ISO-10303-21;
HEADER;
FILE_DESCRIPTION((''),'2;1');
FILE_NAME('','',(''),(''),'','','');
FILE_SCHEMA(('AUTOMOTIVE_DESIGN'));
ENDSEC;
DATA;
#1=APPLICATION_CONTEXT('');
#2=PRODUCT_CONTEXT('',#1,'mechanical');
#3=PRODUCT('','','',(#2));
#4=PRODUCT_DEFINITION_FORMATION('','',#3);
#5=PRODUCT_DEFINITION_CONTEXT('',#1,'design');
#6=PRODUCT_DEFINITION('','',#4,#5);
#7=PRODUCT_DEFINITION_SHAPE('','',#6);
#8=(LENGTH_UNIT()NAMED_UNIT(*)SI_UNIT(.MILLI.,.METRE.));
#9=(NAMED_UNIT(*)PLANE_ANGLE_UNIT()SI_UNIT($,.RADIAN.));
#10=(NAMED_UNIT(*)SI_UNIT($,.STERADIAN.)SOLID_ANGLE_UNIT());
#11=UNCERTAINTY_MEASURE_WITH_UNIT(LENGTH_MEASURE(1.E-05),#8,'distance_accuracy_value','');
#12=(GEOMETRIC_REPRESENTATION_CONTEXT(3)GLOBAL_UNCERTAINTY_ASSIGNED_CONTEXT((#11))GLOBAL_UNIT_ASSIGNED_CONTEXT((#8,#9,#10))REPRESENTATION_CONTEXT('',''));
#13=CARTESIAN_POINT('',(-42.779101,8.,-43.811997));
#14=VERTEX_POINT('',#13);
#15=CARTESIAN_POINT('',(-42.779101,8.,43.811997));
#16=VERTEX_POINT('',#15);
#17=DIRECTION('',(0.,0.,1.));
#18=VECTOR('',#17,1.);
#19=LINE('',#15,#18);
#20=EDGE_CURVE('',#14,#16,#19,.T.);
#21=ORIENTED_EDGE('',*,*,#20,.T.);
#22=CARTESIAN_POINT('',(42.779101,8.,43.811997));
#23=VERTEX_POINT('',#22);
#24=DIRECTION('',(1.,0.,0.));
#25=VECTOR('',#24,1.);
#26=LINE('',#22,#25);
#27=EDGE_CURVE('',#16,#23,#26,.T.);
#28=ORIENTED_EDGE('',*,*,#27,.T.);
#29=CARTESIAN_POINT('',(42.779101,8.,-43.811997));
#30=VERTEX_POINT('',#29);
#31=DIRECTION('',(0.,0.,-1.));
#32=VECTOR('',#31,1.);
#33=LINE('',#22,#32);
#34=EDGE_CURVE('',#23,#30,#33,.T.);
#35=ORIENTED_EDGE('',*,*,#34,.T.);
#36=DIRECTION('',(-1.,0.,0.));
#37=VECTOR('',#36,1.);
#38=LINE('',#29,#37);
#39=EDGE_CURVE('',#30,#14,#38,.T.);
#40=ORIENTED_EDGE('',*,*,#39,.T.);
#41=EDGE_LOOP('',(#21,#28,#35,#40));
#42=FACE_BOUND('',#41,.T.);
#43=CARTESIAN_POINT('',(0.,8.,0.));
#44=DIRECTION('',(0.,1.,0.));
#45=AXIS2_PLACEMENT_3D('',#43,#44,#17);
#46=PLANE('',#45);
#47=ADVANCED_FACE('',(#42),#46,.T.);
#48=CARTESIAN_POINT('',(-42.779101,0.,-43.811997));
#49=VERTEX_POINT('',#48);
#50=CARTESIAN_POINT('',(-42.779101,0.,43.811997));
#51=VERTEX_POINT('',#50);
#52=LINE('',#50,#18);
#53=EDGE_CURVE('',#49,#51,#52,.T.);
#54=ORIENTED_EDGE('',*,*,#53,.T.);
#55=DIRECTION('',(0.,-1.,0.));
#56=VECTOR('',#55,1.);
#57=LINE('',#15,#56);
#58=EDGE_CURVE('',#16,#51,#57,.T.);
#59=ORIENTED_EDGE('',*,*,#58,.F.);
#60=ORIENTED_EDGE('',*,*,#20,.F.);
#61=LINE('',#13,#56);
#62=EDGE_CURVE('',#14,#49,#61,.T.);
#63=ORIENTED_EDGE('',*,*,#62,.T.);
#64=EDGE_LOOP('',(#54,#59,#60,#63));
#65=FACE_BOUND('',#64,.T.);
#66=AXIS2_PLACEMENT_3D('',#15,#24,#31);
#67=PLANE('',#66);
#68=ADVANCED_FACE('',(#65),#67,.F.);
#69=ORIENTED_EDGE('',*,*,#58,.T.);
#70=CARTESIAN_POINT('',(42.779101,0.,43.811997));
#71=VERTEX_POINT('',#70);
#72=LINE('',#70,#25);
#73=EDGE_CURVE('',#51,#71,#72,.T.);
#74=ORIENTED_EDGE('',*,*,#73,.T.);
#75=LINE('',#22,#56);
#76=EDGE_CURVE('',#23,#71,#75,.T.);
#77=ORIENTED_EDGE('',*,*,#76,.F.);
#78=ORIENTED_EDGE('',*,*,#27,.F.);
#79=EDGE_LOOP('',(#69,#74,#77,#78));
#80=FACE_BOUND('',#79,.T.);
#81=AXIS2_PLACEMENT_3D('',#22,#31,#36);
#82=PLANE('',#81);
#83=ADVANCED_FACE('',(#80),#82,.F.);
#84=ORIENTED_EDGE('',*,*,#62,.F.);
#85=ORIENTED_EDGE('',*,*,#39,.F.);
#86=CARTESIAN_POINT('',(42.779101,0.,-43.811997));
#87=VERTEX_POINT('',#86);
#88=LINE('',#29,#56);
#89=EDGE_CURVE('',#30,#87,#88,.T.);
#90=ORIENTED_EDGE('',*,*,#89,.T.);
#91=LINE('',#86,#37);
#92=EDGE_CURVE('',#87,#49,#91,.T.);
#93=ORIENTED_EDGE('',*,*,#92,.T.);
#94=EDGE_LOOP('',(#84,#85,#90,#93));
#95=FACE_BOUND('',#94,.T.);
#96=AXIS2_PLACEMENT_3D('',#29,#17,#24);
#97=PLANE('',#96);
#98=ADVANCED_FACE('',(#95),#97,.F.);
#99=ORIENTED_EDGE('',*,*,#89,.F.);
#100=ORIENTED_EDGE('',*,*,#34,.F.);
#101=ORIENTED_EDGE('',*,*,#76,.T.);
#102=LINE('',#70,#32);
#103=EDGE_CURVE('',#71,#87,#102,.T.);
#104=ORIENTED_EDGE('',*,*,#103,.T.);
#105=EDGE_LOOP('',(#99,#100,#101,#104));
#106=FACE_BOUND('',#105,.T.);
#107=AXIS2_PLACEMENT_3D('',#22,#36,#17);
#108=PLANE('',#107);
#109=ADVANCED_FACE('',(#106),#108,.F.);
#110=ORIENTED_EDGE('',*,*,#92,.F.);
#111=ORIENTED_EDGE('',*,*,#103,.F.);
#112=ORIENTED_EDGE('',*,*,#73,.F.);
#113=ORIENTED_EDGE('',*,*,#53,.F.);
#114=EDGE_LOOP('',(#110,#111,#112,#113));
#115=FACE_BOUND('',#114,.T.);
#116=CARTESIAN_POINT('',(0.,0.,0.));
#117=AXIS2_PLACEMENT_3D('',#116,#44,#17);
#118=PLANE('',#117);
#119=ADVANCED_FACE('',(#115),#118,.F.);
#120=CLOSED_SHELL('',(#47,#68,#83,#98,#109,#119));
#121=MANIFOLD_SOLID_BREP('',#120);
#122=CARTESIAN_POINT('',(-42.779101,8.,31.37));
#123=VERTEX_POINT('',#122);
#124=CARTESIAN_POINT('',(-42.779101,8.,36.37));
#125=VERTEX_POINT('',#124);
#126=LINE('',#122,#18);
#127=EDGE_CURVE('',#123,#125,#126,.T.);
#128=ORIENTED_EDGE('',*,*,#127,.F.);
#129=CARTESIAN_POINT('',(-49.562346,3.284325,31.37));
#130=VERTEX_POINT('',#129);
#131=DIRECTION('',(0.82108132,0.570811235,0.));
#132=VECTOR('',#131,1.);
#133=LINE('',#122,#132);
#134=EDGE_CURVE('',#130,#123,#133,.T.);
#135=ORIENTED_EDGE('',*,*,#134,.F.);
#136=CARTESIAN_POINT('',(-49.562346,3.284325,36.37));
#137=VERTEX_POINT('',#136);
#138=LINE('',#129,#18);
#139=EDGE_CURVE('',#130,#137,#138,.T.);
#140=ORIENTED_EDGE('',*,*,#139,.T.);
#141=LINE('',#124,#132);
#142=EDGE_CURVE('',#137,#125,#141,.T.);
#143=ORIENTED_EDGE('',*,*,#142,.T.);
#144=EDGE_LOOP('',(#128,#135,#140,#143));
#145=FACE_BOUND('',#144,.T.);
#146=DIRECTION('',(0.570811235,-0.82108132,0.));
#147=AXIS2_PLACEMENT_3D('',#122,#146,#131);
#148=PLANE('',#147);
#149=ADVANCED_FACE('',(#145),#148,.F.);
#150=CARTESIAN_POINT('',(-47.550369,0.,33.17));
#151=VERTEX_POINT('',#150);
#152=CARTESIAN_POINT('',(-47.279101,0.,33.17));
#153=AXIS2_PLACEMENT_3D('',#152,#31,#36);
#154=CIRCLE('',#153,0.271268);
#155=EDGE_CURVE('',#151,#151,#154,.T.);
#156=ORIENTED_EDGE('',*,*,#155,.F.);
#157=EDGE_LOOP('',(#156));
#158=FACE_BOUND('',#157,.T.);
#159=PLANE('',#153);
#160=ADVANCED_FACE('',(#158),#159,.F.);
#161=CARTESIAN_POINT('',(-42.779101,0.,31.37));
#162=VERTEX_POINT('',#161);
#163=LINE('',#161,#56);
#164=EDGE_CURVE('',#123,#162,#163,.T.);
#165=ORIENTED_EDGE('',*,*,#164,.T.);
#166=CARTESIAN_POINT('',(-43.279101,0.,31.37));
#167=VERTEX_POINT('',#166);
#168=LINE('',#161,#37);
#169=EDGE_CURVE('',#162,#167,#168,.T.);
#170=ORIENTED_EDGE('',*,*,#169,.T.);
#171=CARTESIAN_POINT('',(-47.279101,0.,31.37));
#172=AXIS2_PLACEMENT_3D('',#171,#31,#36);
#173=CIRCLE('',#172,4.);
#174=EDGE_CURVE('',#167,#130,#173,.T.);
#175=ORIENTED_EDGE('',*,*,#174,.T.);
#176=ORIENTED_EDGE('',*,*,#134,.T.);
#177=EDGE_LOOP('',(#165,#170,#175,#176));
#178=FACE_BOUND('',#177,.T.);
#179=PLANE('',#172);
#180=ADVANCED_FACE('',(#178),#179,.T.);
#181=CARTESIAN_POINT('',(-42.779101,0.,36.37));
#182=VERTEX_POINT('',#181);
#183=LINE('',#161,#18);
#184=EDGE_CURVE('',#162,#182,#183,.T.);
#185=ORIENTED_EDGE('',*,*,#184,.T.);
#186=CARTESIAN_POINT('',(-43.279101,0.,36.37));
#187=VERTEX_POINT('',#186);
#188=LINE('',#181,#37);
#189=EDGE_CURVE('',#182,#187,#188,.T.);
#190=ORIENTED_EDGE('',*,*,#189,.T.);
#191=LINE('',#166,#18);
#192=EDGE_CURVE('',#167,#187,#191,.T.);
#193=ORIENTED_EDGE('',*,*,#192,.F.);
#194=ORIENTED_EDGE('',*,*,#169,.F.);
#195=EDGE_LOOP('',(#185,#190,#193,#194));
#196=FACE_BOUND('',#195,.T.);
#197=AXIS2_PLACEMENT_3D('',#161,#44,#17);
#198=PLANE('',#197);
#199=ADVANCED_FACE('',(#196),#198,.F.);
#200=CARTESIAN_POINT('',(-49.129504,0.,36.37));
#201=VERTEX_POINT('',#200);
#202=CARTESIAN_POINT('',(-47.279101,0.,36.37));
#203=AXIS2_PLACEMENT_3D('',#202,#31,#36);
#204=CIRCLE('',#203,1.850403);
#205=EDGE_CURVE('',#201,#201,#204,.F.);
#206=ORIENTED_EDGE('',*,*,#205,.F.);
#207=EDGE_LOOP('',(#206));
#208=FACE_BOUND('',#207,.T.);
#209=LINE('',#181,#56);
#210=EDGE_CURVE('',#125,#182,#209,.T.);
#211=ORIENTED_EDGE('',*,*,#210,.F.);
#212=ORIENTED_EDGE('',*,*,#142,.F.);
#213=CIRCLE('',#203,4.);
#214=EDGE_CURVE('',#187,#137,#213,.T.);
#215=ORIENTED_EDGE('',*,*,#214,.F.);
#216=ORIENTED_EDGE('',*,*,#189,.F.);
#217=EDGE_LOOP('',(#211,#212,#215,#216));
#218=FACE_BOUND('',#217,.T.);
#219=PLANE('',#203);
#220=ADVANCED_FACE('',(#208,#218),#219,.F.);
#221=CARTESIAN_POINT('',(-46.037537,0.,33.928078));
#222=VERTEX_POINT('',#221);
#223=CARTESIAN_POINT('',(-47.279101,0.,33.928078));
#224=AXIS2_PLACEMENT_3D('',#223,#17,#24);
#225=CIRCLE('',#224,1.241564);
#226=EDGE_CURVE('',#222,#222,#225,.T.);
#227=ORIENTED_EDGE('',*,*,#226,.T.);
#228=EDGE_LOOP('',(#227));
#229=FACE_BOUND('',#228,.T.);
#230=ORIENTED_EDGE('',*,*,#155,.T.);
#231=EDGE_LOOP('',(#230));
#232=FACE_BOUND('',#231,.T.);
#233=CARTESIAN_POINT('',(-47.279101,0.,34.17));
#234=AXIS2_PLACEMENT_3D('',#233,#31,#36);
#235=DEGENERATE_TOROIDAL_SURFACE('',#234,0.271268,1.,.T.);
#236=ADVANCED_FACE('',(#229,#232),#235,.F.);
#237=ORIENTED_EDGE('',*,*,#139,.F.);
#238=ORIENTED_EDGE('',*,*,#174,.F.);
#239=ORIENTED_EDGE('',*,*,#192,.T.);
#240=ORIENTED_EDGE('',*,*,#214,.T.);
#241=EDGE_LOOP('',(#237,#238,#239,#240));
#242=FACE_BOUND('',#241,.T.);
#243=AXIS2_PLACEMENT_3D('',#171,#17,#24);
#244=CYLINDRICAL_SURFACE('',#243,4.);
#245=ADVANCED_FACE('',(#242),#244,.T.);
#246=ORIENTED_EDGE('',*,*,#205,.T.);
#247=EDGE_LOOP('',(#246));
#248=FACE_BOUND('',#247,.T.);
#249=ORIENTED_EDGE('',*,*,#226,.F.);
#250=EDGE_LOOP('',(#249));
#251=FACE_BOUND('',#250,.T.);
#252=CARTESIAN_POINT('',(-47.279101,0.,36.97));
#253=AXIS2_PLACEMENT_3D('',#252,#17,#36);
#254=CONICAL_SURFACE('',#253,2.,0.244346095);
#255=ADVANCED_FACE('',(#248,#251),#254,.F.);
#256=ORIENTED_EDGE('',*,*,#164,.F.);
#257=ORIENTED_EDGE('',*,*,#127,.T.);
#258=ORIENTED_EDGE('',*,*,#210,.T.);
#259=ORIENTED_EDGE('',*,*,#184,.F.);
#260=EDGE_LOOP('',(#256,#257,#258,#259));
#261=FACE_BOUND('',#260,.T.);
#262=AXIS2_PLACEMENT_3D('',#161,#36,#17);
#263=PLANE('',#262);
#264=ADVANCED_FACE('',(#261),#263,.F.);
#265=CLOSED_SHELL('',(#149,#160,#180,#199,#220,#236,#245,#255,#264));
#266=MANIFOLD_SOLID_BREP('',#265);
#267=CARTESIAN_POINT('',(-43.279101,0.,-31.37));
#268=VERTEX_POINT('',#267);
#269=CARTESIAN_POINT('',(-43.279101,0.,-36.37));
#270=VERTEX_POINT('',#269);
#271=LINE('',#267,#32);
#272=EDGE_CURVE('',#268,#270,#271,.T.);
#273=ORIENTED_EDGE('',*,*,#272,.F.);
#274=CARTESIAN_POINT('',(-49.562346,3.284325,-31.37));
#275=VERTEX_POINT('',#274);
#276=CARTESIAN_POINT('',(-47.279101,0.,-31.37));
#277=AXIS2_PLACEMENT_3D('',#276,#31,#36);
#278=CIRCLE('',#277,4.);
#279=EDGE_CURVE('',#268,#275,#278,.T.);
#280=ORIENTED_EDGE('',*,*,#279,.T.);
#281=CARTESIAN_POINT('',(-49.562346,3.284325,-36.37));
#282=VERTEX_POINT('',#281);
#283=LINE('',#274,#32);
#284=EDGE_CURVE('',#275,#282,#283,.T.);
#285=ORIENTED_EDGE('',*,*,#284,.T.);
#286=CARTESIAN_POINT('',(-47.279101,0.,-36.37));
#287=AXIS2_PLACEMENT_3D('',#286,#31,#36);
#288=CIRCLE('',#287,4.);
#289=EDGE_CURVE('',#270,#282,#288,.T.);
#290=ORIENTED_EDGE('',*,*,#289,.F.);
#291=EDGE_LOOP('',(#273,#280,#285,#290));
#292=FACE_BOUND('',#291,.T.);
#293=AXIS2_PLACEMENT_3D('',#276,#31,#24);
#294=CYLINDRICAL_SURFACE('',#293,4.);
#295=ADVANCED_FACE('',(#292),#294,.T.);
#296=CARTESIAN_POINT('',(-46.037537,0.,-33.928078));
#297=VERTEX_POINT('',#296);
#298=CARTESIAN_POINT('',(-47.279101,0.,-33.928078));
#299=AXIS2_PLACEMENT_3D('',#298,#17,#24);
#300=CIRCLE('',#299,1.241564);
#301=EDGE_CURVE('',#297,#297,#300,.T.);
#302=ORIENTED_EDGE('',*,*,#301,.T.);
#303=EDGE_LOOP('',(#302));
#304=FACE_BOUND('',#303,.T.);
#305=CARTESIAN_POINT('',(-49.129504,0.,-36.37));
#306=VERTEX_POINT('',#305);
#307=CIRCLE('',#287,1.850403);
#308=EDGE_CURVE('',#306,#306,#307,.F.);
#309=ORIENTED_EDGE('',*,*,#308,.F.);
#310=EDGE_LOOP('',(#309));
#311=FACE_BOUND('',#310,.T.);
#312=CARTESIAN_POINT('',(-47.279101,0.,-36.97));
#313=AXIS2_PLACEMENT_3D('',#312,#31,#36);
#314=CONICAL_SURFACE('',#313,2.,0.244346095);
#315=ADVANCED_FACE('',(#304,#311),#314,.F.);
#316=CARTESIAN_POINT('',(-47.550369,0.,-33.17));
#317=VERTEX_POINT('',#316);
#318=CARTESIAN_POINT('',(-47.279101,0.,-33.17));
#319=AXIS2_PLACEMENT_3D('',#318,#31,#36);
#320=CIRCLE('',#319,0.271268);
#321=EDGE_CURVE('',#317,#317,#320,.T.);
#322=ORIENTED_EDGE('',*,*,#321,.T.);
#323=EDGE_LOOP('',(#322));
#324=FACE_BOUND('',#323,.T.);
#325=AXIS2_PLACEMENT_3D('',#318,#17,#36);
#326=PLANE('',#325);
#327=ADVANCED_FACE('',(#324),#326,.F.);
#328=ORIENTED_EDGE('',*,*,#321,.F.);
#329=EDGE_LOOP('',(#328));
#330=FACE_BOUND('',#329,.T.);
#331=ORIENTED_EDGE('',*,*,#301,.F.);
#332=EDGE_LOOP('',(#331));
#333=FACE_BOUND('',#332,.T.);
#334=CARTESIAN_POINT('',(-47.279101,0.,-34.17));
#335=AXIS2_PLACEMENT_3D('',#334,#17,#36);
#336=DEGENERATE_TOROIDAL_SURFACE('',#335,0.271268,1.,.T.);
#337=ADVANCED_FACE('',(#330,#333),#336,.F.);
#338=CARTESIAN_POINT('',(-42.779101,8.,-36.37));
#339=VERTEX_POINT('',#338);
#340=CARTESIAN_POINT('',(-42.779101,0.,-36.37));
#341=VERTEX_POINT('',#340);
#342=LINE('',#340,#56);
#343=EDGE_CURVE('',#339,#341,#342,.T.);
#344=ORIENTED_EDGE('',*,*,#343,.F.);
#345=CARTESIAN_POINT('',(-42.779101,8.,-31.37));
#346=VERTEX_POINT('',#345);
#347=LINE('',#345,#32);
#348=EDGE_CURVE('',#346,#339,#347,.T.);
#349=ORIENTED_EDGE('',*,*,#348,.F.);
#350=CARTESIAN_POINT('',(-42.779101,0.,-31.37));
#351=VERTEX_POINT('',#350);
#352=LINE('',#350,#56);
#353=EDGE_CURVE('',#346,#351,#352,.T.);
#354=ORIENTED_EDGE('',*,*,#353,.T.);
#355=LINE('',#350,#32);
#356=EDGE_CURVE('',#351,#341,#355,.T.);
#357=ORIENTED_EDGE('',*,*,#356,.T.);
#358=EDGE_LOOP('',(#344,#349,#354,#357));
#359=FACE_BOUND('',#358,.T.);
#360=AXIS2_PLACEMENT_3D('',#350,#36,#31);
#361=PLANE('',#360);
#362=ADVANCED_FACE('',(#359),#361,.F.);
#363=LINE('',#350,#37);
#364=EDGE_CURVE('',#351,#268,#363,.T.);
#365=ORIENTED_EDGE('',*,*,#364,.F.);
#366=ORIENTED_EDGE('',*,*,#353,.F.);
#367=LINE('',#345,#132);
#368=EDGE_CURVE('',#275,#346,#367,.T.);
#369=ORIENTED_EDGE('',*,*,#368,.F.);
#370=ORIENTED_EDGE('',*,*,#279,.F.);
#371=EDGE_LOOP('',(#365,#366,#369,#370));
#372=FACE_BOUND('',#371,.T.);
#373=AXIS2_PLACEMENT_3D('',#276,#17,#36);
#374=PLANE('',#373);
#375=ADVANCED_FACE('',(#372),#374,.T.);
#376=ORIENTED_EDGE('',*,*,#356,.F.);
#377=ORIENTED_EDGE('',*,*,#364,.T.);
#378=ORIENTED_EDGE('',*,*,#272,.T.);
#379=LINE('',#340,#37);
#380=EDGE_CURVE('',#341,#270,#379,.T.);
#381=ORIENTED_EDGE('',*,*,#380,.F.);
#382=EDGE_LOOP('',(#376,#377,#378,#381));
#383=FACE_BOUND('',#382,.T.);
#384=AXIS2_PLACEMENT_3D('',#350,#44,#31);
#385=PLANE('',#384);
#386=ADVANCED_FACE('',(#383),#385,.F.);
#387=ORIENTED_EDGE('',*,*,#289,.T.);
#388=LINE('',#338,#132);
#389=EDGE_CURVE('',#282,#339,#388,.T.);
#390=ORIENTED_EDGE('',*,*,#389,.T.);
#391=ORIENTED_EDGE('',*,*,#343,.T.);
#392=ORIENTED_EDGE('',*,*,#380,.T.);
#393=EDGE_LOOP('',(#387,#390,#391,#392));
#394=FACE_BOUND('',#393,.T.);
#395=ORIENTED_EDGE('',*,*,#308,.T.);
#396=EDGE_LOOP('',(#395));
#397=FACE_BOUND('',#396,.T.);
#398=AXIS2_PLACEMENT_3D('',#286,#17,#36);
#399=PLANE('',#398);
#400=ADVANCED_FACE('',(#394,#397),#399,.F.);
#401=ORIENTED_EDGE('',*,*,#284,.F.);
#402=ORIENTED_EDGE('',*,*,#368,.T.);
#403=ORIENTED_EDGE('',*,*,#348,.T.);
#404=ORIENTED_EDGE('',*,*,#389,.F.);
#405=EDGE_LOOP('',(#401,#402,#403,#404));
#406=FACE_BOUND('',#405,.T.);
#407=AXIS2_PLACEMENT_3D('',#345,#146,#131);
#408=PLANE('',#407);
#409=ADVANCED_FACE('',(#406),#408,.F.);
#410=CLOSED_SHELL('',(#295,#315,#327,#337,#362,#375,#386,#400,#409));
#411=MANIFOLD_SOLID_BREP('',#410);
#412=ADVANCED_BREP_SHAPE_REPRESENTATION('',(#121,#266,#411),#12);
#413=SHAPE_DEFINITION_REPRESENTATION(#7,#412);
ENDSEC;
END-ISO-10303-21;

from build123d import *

# Parameters (mm, degrees)
SKETCH1_W           = 85.558202154
SKETCH1_H           = 87.623993754
BOSS_EXTRUDE1_DEPTH = 8
BOSS_EXTRUDE2_START = 0.6
BOSS_EXTRUDE2_DEPTH = 5
SKETCH3_R           = 2
BOSS_EXTRUDE3_DEPTH = 3.8
BOSS_EXTRUDE3_TAPER = 14
FILLET1_R           = 1


with BuildPart() as part:
    # Sketch1 → Boss-Extrude1 (new body)
    with BuildSketch(Plane(origin=(0, 0, 0), x_dir=(1, 0, 0), z_dir=(0, 1, 0))):
        Rectangle(SKETCH1_W, SKETCH1_H)
    extrude(amount=BOSS_EXTRUDE1_DEPTH)


with BuildPart() as body_2:
    # Sketch2 → Boss-Extrude2 (new body)
    with BuildSketch(Plane(origin=(0, 0, 36.97), x_dir=(-1, 0, 0), z_dir=(0, 0, -1)).offset(BOSS_EXTRUDE2_START)):
        with BuildLine():
            Line((42.779101077, 0), (42.779101077, 8))
            Line((42.779101077, 8), (49.562346018, 3.284325279))
            ThreePointArc((49.562346018, 3.284325279), (49.132074395, -3.544924524), (43.279101077, 0))
            Line((43.279101077, 0), (42.779101077, 0))
        make_face()
    extrude(amount=BOSS_EXTRUDE2_DEPTH)


with BuildPart() as body_3:
    # Sketch3 → Boss-Extrude3 (new body)
    with BuildSketch(Plane(origin=(0, 0, 36.97), x_dir=(-1, 0, 0), z_dir=(0, 0, -1))):
        with Locations((47.279101077, 0)):
            Circle(SKETCH3_R)
    extrude(amount=BOSS_EXTRUDE3_DEPTH, taper=BOSS_EXTRUDE3_TAPER)

    # Fillet1
    fillet1_edges = [body_3.edges().sort_by_distance(p)[0] for p in [
        (-46.226547488, 0, 33.17),
    ]]
    fillet(fillet1_edges, radius=FILLET1_R)


with BuildPart() as body_2_1:
    add(body_2.part)

    # Combine1: cut body 3
    add(body_3.part, mode=Mode.SUBTRACT)


with BuildPart() as body_3_2:
    # Mirror1: mirrored copy
    add(body_2_1.part.mirror(Plane(origin=(0, 0, 0), x_dir=(1, 0, 0), z_dir=(0, 0, -1))))


solid = Compound([part.part, body_2_1.part, body_3_2.part])
